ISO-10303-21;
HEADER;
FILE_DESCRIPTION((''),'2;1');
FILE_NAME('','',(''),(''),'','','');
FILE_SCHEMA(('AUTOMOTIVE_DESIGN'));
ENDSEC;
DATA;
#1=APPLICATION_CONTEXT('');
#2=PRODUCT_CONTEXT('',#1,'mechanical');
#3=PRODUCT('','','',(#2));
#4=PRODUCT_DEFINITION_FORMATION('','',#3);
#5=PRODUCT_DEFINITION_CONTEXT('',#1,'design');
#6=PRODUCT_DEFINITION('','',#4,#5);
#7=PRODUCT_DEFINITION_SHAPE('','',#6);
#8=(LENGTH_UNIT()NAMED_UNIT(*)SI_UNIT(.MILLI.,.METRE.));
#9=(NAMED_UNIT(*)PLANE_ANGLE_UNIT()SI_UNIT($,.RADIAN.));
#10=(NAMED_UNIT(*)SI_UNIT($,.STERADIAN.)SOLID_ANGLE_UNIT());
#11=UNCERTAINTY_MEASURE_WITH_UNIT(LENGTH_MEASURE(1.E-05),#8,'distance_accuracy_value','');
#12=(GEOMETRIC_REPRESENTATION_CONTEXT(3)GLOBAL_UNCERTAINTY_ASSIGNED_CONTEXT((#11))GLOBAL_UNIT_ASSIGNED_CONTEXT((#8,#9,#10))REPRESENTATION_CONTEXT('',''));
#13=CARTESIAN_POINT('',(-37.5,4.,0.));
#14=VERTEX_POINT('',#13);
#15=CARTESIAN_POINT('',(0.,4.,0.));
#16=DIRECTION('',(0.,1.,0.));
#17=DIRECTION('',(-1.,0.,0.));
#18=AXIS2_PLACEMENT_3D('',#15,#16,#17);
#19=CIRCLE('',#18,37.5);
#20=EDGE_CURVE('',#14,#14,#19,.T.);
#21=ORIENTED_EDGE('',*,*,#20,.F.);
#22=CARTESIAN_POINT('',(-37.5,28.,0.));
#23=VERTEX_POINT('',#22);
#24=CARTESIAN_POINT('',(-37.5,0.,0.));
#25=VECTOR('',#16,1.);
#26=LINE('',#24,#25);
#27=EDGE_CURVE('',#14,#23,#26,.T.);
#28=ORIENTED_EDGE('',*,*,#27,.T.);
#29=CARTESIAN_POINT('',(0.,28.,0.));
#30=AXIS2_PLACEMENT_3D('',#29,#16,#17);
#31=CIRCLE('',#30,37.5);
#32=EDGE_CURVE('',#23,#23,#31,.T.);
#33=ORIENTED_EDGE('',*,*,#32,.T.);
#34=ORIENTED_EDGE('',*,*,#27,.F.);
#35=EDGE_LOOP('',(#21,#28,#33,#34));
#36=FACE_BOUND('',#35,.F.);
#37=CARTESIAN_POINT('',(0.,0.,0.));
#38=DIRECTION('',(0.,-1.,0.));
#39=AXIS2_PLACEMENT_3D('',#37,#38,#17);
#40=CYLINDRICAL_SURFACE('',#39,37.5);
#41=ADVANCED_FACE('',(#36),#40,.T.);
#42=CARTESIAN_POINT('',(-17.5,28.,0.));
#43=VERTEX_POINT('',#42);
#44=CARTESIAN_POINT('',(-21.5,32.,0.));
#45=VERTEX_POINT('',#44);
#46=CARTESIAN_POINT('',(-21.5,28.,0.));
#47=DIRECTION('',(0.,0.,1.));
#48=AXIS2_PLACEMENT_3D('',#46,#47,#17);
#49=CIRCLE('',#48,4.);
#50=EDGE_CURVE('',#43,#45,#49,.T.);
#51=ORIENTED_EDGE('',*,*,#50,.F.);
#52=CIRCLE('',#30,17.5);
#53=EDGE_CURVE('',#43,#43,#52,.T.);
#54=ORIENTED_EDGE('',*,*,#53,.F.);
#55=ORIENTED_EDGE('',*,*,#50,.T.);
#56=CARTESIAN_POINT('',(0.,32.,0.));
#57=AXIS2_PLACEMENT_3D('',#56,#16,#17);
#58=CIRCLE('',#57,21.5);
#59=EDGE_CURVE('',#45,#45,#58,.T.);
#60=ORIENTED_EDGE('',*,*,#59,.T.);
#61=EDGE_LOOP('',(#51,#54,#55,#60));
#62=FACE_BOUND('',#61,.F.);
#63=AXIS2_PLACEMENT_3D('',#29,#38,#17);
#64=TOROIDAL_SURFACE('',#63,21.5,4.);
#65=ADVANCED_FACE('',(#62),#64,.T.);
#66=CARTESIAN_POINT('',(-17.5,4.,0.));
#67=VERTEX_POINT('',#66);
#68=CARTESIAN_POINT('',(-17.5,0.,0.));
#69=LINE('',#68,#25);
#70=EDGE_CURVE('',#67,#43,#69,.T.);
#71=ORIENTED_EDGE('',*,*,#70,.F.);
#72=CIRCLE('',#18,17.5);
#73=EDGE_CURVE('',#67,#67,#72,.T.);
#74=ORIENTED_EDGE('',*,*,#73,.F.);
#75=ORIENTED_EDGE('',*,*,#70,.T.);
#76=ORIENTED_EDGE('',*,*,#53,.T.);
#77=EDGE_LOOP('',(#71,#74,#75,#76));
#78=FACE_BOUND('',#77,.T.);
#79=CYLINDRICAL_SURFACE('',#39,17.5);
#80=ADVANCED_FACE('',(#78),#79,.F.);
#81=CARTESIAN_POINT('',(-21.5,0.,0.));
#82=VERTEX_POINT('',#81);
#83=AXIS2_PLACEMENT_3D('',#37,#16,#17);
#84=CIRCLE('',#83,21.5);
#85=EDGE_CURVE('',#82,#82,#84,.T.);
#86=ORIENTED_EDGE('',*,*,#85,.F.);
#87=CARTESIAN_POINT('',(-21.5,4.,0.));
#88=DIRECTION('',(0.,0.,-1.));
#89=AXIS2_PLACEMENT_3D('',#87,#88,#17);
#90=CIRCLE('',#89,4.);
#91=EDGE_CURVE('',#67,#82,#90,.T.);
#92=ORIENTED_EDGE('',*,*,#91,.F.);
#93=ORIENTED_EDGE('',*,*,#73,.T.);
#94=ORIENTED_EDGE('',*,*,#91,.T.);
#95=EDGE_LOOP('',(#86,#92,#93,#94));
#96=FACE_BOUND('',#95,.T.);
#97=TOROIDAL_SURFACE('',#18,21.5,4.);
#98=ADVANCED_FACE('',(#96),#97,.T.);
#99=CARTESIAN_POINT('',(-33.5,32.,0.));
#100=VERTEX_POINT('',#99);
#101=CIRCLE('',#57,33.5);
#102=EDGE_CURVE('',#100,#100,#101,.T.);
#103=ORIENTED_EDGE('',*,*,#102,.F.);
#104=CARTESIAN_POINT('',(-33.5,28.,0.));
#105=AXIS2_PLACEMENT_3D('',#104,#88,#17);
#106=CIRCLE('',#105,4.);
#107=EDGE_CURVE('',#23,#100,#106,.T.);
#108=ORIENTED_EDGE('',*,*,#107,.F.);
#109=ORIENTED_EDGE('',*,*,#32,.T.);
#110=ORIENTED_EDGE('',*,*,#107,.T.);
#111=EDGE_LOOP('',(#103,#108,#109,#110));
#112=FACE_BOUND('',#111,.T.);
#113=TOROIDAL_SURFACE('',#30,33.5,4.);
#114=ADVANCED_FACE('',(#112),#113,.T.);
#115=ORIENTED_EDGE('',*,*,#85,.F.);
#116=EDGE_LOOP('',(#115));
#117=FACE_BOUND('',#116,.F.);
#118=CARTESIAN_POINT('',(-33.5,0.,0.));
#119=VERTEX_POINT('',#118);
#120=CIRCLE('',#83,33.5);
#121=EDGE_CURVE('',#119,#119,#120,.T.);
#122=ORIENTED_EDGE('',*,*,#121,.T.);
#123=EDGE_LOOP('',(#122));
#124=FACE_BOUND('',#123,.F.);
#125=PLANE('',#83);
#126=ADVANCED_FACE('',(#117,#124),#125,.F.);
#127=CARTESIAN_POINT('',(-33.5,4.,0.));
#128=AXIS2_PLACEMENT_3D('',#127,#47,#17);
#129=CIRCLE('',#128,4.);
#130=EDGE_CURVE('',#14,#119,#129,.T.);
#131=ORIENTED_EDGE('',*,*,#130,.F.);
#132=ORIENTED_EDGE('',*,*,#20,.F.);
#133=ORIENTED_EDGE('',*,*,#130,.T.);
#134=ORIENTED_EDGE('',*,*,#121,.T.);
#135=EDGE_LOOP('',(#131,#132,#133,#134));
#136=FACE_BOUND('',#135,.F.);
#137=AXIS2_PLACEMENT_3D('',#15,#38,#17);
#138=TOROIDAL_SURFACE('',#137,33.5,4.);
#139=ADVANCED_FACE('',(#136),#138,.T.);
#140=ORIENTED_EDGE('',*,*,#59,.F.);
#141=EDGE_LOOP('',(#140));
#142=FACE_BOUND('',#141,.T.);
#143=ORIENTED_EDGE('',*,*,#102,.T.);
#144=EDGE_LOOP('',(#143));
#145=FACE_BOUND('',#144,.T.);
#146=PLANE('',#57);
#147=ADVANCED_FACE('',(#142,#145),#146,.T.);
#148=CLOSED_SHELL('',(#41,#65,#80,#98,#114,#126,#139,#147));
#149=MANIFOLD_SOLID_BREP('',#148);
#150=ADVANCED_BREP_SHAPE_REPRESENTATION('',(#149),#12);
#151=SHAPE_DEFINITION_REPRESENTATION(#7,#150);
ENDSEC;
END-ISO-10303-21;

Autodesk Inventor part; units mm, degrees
ref_plane "YZ Plane" through (0, 0, 0) normal (1, 0, 0) x (0, 1, 0)
ref_plane "XZ Plane" through (0, 0, 0) normal (0, 1, 0) x (-1, 0, 0)
ref_plane "XY Plane" through (0, 0, 0) normal (0, 0, 1) x (1, 0, 0)
sketch "Sketch1" plane through (0, 0, 0) normal (0, 1, 0) x (-1, 0, 0)
  circle A0 centre (0, 0) radius 37.5
  circle A1 centre (0, 0) radius 17.5
  dimension "d0" = 75
  dimension "d1" = 20
extrude "Extrusion1" add sketch "Sketch1" along normal blind 32
fillet "Fillet1" radius 4 4 edges at (37.5, 32, 0) (17.5, 32, 0) (37.5, 0, 0) (17.5, 0, 0)
properties part number "TraFo"
